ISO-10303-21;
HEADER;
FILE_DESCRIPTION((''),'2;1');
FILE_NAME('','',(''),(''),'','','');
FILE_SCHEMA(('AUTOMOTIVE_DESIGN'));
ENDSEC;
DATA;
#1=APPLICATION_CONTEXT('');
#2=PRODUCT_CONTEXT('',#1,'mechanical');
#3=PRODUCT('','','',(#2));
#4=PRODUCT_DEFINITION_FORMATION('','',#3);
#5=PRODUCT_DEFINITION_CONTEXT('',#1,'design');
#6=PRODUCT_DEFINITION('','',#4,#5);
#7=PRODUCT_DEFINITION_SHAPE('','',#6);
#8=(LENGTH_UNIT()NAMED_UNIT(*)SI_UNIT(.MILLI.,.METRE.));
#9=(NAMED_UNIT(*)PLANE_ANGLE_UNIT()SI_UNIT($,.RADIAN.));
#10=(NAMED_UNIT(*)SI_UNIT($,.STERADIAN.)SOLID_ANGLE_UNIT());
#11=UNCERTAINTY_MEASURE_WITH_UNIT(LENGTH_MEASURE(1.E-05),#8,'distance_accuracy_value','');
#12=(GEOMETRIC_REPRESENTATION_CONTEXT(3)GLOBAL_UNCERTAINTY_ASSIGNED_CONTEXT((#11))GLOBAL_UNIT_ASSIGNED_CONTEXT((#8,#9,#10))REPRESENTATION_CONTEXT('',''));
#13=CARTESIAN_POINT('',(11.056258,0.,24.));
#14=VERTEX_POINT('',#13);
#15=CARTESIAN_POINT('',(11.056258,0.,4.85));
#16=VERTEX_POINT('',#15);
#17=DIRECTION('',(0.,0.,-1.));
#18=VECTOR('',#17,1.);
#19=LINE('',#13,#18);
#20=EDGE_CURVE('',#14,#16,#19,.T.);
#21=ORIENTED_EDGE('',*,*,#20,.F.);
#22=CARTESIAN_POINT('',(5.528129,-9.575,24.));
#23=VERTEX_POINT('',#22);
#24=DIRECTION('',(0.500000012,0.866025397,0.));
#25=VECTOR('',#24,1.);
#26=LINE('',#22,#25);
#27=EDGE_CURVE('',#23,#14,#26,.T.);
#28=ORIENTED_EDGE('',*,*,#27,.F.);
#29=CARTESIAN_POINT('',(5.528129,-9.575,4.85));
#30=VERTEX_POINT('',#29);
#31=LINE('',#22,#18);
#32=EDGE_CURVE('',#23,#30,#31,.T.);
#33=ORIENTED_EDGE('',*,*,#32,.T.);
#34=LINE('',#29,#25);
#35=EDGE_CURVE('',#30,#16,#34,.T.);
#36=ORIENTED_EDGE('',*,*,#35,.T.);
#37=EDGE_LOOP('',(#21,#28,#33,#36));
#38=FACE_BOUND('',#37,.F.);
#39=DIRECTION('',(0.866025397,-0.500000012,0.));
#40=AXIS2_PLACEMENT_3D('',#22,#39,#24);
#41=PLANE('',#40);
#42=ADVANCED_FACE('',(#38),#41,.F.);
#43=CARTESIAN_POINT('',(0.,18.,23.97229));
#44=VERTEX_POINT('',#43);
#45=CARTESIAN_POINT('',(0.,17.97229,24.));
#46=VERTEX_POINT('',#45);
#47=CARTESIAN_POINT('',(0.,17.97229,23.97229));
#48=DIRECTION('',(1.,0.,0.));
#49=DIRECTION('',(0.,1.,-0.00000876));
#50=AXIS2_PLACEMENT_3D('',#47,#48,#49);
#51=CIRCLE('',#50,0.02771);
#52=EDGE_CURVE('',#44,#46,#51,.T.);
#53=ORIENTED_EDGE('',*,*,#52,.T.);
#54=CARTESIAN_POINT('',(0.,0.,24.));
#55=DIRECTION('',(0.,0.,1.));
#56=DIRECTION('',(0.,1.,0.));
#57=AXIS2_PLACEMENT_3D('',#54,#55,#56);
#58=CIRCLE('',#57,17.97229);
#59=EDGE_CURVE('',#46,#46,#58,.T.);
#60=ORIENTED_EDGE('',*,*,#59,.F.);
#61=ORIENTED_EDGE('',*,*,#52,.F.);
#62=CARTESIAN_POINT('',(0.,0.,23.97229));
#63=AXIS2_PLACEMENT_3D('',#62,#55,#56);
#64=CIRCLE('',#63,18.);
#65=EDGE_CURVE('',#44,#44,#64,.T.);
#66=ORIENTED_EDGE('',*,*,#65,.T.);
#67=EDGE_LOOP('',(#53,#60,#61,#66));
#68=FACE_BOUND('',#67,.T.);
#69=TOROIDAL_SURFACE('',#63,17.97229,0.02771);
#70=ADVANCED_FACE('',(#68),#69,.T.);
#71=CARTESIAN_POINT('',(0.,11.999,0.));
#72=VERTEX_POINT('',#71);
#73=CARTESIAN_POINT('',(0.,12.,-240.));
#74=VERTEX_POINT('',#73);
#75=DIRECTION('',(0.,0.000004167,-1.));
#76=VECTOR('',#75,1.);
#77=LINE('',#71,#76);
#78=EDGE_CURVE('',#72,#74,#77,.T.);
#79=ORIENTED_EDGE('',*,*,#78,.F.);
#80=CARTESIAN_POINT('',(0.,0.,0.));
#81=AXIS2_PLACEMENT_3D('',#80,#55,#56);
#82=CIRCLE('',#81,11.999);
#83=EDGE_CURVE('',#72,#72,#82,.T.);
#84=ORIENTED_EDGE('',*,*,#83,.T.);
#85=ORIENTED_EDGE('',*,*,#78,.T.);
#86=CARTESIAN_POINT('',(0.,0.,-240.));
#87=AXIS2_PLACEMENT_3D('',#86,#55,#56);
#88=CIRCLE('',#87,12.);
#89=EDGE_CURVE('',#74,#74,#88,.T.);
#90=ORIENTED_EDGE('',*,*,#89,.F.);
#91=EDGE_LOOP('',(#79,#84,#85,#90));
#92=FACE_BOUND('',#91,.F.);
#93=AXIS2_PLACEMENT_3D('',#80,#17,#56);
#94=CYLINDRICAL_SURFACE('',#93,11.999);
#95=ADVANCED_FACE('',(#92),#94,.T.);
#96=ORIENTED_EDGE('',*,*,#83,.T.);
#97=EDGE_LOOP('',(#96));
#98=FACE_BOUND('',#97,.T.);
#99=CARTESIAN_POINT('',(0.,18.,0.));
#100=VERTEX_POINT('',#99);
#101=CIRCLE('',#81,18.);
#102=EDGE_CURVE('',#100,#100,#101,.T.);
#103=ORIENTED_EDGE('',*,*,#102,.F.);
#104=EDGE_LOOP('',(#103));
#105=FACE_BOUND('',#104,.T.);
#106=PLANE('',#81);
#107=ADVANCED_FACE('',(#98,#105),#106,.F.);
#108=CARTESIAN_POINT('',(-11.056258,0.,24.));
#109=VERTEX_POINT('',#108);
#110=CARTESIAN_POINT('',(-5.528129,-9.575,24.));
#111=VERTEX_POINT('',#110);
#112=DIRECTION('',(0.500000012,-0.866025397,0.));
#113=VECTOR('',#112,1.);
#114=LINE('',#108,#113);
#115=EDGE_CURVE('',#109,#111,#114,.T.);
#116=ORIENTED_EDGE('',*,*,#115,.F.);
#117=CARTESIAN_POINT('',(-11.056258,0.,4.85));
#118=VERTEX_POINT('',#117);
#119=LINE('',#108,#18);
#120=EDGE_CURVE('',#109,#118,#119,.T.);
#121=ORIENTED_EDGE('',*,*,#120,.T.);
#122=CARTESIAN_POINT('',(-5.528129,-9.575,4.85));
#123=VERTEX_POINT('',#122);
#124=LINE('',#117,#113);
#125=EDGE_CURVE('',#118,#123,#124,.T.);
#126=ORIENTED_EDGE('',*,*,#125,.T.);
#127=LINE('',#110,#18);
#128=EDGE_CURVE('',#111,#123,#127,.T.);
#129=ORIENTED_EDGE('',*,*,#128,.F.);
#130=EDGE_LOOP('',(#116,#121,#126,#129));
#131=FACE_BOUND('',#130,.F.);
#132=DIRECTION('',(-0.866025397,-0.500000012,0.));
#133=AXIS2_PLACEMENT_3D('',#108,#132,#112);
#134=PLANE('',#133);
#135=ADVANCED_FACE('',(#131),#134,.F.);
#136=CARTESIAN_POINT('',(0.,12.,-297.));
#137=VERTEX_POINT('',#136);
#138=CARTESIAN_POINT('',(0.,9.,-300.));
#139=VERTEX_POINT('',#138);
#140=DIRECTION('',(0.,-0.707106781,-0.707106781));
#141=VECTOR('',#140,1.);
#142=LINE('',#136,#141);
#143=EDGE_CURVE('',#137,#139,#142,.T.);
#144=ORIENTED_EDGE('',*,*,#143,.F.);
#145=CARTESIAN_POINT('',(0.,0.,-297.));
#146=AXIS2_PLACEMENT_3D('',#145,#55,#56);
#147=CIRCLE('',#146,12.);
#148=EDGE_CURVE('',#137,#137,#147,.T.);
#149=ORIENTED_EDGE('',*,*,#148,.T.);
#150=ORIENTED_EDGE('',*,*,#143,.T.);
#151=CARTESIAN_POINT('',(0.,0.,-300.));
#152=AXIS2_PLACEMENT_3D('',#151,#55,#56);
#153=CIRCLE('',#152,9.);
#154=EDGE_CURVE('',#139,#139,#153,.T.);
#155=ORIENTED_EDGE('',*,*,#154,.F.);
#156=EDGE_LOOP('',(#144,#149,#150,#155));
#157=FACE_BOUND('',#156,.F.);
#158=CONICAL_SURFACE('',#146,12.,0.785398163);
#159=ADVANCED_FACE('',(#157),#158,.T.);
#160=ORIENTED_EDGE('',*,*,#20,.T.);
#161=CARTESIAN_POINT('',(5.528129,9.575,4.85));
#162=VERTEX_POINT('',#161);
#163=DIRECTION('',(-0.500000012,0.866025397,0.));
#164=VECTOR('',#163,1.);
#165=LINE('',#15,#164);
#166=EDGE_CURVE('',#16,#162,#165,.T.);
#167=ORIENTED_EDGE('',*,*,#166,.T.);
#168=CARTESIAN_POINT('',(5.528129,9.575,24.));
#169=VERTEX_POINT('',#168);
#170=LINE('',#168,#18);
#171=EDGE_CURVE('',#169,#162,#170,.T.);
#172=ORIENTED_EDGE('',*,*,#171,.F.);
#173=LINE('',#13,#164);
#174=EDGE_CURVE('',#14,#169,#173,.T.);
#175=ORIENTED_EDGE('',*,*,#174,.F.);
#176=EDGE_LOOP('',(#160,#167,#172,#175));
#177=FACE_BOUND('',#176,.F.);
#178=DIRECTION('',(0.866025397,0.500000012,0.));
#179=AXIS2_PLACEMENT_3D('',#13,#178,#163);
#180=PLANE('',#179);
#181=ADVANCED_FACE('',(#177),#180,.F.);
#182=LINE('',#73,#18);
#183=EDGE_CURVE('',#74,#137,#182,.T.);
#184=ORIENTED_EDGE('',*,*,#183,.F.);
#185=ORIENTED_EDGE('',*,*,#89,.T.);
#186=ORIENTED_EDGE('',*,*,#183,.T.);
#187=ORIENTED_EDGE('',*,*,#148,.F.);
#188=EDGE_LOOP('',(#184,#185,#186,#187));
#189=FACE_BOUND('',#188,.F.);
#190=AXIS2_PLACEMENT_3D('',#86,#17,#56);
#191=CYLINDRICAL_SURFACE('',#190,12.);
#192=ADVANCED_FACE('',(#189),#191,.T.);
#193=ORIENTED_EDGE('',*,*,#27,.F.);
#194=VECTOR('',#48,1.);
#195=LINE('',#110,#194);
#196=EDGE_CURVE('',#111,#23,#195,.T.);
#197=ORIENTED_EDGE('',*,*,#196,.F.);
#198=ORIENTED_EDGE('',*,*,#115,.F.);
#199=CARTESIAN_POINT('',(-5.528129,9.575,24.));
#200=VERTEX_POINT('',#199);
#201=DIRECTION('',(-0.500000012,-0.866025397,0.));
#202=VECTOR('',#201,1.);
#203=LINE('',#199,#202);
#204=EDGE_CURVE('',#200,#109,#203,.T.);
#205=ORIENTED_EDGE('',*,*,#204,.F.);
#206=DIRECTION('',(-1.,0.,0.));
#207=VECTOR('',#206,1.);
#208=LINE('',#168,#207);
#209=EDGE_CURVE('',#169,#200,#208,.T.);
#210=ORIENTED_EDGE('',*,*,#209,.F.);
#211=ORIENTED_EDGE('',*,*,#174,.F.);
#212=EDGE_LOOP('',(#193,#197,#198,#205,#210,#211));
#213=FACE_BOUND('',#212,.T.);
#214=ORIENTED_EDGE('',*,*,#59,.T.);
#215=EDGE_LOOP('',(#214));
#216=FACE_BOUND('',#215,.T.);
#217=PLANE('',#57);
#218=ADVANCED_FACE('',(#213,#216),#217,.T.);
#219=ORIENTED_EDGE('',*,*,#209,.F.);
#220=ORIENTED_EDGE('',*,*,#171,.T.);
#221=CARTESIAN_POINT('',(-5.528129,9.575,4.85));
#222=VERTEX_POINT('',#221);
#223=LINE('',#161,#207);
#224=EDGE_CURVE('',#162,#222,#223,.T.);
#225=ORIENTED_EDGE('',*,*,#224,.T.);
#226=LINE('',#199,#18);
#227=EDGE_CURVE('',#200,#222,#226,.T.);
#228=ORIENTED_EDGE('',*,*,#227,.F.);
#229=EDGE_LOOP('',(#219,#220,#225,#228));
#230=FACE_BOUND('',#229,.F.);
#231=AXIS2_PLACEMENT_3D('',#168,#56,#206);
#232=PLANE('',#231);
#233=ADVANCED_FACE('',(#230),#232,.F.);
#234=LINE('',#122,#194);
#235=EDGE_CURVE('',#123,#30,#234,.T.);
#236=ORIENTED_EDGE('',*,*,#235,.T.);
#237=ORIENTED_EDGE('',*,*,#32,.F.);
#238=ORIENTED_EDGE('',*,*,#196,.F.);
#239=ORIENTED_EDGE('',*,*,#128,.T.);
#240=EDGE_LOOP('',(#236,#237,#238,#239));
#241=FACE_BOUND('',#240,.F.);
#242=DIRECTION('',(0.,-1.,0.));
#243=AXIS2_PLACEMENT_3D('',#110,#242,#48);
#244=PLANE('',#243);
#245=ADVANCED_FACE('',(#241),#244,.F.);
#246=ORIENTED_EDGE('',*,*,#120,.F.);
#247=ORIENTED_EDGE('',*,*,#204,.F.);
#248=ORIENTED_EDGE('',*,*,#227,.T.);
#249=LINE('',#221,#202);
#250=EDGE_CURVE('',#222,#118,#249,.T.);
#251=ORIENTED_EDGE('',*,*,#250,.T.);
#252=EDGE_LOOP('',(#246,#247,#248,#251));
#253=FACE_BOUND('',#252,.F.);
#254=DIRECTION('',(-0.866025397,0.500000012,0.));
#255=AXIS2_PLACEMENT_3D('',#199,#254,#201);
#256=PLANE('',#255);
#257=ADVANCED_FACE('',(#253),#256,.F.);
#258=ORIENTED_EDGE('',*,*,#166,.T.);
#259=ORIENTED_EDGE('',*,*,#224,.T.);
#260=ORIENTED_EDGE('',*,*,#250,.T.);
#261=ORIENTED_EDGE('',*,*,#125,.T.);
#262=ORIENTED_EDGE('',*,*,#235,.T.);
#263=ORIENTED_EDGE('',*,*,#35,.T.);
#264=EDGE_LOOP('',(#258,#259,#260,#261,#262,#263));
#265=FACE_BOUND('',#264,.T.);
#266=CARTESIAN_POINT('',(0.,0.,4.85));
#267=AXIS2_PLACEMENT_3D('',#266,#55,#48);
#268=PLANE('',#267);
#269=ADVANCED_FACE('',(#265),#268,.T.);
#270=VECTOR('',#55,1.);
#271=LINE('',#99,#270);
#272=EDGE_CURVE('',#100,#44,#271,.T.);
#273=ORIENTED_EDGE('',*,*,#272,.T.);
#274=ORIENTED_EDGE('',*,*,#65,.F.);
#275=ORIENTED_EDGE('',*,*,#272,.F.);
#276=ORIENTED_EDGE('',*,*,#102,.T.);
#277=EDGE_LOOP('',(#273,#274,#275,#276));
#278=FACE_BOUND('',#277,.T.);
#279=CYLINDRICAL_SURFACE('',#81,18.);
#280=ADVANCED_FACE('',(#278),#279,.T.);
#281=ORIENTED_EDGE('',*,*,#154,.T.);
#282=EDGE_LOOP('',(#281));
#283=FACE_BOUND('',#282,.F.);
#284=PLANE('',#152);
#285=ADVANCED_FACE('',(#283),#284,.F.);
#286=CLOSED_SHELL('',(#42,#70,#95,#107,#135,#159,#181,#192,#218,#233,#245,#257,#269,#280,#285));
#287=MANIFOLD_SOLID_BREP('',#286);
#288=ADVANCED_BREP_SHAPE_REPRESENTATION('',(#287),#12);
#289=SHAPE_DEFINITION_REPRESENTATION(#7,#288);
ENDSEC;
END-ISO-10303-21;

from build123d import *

# Parameters (mm, degrees)
POCKET_DEPTH = 19.15


with BuildPart() as part:
    # Sketch → Revolve (revolve)
    with BuildSketch(Plane.YZ):
        with BuildLine():
            Line((11.999, 0), (18, 0))
            Line((18, 0), (18, 23.97229))
            ThreePointArc((18, 23.97229), (17.991884, 23.991884), (17.97229, 24))
            Line((17.97229, 24), (0, 24))
            Line((0, -300), (0, 24))
            Line((9, -300), (0, -300))
            Line((12, -297), (9, -300))
            Line((12, -240), (12, -297))
            Line((11.999, 0), (12, -240))
        make_face()
    revolve(axis=Axis((0, 0, 0), (0, 0, 1)))

    # Sketch001 → Pocket (cut)
    with BuildSketch(Plane.XY.offset(24)):
        Polygon((11.056258, 0), (5.528129, 9.575), (-5.528129, 9.575), (-11.056258, 0), (-5.528129, -9.575), (5.528129, -9.575), align=None)
    extrude(amount=-POCKET_DEPTH, mode=Mode.SUBTRACT)


solid = part.part
